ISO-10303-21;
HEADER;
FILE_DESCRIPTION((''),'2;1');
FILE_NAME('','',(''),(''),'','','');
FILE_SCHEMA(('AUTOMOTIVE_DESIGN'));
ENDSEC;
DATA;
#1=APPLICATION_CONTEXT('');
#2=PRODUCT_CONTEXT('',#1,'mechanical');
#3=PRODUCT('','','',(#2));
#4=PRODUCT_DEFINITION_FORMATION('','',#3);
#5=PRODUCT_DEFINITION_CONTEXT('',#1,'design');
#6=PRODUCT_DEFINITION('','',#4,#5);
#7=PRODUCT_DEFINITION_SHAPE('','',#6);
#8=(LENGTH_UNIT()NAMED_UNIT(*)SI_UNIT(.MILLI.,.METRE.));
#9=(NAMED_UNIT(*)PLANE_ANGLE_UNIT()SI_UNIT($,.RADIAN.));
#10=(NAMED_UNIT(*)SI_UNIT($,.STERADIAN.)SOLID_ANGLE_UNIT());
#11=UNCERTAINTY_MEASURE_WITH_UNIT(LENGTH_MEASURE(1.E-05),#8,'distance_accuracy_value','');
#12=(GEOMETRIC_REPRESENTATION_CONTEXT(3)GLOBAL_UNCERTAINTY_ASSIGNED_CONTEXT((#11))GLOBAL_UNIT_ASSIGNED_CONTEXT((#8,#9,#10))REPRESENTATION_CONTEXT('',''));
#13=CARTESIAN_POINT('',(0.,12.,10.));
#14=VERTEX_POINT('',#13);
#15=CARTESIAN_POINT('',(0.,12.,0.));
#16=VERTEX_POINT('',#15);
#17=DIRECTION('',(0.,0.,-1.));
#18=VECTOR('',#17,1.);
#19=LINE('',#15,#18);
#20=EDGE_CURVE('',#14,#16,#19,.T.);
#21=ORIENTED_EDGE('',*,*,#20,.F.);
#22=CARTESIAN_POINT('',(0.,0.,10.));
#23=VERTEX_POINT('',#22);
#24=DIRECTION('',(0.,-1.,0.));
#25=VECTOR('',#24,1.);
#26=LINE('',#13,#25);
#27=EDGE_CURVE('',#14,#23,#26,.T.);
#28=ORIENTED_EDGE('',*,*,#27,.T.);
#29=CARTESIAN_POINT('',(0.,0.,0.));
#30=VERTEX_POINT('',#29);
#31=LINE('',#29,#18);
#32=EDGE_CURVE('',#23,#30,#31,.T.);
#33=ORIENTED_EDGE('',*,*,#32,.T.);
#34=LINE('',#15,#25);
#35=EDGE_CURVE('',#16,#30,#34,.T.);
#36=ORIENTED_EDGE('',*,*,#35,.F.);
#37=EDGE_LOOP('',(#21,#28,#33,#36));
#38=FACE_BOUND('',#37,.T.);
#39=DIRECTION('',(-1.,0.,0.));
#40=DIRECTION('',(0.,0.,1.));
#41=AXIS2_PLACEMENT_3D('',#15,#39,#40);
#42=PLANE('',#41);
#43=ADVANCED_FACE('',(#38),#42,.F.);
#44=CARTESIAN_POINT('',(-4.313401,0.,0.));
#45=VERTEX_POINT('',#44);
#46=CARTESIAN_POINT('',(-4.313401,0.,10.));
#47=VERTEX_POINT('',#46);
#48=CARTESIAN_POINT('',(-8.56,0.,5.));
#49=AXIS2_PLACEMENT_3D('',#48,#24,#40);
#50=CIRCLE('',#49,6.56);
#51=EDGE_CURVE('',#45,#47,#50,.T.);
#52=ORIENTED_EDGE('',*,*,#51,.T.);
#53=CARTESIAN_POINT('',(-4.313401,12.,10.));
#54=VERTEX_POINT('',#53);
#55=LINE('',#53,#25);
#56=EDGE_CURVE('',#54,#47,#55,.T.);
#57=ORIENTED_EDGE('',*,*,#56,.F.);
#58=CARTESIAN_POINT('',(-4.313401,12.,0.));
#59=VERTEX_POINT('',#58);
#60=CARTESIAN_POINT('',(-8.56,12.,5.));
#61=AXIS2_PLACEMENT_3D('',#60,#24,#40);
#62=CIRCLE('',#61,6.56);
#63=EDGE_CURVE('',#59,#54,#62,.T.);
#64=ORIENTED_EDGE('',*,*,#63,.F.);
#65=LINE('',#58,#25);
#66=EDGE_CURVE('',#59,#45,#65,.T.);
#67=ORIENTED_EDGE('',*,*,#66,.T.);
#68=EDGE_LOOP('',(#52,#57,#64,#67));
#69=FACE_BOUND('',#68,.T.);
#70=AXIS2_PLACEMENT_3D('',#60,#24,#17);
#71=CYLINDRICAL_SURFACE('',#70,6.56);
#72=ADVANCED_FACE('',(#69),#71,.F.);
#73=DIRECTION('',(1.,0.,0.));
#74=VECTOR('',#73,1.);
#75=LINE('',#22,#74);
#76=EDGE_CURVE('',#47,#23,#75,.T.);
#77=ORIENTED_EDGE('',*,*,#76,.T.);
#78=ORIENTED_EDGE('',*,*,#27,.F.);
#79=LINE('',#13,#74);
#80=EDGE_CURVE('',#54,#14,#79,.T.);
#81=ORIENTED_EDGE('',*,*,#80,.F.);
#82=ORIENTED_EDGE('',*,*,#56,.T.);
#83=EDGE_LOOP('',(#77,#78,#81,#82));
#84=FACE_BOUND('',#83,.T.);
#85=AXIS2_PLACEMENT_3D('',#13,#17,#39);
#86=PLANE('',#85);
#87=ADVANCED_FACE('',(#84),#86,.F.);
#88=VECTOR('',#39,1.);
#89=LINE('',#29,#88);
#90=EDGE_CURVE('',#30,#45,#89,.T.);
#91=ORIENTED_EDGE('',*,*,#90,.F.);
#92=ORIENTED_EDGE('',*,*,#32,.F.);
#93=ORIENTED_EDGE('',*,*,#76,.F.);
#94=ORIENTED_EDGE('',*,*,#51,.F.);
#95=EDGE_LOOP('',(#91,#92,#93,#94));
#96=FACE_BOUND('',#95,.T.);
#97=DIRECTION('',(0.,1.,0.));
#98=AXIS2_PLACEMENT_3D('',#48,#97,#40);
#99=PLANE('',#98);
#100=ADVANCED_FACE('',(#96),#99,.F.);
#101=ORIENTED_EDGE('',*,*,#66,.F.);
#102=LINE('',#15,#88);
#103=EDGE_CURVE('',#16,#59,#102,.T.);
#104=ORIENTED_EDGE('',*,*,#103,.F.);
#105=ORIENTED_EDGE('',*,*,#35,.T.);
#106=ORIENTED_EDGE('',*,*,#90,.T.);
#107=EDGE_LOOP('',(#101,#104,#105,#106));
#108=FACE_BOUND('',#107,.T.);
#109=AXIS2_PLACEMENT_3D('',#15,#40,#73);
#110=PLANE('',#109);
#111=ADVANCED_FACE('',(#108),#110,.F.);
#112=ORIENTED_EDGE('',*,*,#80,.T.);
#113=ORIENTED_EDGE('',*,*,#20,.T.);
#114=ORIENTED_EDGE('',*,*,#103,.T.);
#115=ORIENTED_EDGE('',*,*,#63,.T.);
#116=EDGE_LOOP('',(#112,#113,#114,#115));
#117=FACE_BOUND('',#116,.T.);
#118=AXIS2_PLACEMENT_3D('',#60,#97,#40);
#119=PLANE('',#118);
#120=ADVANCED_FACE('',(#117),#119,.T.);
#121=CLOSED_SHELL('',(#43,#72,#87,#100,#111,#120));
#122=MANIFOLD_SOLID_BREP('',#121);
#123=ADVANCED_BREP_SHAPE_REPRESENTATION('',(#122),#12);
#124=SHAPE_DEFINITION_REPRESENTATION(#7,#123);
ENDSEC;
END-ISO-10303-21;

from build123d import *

# Parameters (mm, degrees)
EXTRUDE_1_DEPTH = 12


with BuildPart() as part:
    # 草图1 → 凸台-拉伸1 (new body)
    with BuildSketch(Plane(origin=(0, 0, 0), x_dir=(1, 0, 0), z_dir=(0, 1, 0))):
        with BuildLine():
            Line((0, 0), (0, -10))
            Line((0, -10), (-4.313401361, -10))
            ThreePointArc((-4.313401361, -10), (-2, -5), (-4.313401361, 0))
            Line((-4.313401361, 0), (0, 0))
        make_face()
    extrude(amount=EXTRUDE_1_DEPTH)


solid = part.part
